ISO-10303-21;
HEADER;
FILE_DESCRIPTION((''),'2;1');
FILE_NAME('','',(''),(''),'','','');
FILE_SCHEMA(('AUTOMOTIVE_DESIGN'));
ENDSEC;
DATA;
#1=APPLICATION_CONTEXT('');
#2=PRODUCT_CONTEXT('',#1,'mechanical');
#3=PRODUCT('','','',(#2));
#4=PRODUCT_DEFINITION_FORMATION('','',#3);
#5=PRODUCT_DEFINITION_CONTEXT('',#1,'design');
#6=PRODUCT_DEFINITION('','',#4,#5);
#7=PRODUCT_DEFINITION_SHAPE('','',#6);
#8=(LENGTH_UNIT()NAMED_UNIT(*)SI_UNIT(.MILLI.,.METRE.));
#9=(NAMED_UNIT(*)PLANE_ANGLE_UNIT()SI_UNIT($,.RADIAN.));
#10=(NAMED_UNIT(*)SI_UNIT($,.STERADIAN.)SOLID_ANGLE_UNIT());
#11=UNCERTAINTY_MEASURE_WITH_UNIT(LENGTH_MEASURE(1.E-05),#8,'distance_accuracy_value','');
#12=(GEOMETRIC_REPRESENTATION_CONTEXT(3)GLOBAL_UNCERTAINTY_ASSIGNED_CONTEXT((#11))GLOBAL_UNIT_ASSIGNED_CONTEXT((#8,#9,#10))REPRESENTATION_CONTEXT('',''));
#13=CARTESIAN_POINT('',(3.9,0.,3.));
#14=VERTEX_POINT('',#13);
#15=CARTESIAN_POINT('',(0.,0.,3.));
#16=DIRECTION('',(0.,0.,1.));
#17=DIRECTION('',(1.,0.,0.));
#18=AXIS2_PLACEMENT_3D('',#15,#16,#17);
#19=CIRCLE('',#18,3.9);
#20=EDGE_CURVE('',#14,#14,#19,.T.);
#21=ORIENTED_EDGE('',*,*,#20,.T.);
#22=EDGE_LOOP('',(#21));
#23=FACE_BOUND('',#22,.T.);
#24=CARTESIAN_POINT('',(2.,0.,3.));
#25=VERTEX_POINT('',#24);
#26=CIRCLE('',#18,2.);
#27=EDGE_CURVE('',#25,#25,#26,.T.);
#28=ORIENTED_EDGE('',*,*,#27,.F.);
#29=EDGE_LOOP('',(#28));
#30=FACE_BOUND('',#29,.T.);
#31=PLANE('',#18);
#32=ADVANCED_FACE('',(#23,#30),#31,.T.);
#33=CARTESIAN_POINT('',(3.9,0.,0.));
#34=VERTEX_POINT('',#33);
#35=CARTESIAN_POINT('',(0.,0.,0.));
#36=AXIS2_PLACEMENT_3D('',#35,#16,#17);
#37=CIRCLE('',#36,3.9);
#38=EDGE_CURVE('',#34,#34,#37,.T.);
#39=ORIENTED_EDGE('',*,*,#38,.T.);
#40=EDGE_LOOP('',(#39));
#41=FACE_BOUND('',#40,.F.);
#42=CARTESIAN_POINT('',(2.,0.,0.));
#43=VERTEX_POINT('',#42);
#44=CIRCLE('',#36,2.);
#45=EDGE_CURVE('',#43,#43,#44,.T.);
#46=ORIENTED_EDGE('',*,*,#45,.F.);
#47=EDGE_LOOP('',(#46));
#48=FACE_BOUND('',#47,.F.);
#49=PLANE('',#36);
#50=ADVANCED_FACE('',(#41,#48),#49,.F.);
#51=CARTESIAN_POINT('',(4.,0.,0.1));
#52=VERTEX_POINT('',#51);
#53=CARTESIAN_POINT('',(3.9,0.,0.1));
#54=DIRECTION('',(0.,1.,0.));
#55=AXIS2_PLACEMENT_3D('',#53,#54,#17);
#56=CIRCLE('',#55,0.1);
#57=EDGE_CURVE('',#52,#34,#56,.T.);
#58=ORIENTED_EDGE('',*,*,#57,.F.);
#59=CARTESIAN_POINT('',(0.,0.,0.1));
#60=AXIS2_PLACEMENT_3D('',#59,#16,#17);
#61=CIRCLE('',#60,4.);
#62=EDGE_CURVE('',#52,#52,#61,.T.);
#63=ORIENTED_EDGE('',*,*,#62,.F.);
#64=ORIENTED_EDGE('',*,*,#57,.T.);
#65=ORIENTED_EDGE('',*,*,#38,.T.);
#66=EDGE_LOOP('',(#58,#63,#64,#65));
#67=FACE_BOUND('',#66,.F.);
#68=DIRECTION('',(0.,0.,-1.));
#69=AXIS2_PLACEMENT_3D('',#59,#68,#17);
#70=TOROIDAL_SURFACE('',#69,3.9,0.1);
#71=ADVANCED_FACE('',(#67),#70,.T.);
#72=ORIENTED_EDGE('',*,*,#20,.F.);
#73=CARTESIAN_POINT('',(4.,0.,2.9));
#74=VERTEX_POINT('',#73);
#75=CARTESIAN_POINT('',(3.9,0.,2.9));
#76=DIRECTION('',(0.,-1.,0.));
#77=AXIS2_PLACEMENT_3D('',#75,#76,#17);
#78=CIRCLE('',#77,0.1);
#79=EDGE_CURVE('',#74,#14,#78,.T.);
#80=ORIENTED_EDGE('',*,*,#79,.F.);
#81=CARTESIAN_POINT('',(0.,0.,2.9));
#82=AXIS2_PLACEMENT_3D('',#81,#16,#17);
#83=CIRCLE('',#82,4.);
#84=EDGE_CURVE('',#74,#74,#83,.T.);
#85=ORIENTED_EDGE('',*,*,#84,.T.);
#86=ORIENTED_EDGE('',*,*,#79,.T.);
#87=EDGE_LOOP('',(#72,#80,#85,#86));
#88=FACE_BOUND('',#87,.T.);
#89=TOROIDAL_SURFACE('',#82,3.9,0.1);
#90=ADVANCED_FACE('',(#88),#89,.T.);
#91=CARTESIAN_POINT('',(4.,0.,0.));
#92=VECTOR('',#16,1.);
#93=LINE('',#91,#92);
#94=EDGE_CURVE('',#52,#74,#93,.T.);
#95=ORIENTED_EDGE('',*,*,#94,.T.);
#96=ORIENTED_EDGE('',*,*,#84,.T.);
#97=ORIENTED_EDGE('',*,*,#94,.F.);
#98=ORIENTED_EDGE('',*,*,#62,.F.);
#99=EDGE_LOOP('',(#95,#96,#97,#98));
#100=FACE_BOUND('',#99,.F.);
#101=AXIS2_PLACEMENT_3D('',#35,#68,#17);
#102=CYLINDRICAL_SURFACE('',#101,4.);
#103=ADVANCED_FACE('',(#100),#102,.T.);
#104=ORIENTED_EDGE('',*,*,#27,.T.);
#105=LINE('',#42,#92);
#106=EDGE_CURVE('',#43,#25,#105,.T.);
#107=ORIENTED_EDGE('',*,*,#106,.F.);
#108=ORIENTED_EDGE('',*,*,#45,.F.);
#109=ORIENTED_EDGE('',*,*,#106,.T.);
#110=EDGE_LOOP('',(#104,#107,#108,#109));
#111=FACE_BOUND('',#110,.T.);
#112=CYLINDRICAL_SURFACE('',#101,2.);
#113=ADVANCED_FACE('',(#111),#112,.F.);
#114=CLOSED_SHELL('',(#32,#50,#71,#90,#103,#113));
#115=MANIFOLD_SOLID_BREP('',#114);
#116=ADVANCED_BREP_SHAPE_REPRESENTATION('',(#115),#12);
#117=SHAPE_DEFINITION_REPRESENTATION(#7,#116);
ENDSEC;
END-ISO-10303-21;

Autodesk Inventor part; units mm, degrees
ref_plane "YZ Plane" through (0, 0, 0) normal (1, 0, 0) x (0, 1, 0)
ref_plane "XZ Plane" through (0, 0, 0) normal (0, 1, 0) x (-1, 0, 0)
ref_plane "XY Plane" through (0, 0, 0) normal (0, 0, 1) x (1, 0, 0)
sketch "Sketch1" plane through (0, 0, 0) normal (0, 0, 1) x (1, 0, 0)
  circle A0 centre (0, 0) radius 2
  circle A1 centre (0, 0) radius 4
  dimension "d0" = 4
  dimension "d1" = 8
extrude "Extrusion1" add sketch "Sketch1" along normal blind 3
fillet "Fillet1" radius 0.1 2 edges at (-4, 0, 0) (-4, 0, 3)
properties part number "8x4x3 bearing"
